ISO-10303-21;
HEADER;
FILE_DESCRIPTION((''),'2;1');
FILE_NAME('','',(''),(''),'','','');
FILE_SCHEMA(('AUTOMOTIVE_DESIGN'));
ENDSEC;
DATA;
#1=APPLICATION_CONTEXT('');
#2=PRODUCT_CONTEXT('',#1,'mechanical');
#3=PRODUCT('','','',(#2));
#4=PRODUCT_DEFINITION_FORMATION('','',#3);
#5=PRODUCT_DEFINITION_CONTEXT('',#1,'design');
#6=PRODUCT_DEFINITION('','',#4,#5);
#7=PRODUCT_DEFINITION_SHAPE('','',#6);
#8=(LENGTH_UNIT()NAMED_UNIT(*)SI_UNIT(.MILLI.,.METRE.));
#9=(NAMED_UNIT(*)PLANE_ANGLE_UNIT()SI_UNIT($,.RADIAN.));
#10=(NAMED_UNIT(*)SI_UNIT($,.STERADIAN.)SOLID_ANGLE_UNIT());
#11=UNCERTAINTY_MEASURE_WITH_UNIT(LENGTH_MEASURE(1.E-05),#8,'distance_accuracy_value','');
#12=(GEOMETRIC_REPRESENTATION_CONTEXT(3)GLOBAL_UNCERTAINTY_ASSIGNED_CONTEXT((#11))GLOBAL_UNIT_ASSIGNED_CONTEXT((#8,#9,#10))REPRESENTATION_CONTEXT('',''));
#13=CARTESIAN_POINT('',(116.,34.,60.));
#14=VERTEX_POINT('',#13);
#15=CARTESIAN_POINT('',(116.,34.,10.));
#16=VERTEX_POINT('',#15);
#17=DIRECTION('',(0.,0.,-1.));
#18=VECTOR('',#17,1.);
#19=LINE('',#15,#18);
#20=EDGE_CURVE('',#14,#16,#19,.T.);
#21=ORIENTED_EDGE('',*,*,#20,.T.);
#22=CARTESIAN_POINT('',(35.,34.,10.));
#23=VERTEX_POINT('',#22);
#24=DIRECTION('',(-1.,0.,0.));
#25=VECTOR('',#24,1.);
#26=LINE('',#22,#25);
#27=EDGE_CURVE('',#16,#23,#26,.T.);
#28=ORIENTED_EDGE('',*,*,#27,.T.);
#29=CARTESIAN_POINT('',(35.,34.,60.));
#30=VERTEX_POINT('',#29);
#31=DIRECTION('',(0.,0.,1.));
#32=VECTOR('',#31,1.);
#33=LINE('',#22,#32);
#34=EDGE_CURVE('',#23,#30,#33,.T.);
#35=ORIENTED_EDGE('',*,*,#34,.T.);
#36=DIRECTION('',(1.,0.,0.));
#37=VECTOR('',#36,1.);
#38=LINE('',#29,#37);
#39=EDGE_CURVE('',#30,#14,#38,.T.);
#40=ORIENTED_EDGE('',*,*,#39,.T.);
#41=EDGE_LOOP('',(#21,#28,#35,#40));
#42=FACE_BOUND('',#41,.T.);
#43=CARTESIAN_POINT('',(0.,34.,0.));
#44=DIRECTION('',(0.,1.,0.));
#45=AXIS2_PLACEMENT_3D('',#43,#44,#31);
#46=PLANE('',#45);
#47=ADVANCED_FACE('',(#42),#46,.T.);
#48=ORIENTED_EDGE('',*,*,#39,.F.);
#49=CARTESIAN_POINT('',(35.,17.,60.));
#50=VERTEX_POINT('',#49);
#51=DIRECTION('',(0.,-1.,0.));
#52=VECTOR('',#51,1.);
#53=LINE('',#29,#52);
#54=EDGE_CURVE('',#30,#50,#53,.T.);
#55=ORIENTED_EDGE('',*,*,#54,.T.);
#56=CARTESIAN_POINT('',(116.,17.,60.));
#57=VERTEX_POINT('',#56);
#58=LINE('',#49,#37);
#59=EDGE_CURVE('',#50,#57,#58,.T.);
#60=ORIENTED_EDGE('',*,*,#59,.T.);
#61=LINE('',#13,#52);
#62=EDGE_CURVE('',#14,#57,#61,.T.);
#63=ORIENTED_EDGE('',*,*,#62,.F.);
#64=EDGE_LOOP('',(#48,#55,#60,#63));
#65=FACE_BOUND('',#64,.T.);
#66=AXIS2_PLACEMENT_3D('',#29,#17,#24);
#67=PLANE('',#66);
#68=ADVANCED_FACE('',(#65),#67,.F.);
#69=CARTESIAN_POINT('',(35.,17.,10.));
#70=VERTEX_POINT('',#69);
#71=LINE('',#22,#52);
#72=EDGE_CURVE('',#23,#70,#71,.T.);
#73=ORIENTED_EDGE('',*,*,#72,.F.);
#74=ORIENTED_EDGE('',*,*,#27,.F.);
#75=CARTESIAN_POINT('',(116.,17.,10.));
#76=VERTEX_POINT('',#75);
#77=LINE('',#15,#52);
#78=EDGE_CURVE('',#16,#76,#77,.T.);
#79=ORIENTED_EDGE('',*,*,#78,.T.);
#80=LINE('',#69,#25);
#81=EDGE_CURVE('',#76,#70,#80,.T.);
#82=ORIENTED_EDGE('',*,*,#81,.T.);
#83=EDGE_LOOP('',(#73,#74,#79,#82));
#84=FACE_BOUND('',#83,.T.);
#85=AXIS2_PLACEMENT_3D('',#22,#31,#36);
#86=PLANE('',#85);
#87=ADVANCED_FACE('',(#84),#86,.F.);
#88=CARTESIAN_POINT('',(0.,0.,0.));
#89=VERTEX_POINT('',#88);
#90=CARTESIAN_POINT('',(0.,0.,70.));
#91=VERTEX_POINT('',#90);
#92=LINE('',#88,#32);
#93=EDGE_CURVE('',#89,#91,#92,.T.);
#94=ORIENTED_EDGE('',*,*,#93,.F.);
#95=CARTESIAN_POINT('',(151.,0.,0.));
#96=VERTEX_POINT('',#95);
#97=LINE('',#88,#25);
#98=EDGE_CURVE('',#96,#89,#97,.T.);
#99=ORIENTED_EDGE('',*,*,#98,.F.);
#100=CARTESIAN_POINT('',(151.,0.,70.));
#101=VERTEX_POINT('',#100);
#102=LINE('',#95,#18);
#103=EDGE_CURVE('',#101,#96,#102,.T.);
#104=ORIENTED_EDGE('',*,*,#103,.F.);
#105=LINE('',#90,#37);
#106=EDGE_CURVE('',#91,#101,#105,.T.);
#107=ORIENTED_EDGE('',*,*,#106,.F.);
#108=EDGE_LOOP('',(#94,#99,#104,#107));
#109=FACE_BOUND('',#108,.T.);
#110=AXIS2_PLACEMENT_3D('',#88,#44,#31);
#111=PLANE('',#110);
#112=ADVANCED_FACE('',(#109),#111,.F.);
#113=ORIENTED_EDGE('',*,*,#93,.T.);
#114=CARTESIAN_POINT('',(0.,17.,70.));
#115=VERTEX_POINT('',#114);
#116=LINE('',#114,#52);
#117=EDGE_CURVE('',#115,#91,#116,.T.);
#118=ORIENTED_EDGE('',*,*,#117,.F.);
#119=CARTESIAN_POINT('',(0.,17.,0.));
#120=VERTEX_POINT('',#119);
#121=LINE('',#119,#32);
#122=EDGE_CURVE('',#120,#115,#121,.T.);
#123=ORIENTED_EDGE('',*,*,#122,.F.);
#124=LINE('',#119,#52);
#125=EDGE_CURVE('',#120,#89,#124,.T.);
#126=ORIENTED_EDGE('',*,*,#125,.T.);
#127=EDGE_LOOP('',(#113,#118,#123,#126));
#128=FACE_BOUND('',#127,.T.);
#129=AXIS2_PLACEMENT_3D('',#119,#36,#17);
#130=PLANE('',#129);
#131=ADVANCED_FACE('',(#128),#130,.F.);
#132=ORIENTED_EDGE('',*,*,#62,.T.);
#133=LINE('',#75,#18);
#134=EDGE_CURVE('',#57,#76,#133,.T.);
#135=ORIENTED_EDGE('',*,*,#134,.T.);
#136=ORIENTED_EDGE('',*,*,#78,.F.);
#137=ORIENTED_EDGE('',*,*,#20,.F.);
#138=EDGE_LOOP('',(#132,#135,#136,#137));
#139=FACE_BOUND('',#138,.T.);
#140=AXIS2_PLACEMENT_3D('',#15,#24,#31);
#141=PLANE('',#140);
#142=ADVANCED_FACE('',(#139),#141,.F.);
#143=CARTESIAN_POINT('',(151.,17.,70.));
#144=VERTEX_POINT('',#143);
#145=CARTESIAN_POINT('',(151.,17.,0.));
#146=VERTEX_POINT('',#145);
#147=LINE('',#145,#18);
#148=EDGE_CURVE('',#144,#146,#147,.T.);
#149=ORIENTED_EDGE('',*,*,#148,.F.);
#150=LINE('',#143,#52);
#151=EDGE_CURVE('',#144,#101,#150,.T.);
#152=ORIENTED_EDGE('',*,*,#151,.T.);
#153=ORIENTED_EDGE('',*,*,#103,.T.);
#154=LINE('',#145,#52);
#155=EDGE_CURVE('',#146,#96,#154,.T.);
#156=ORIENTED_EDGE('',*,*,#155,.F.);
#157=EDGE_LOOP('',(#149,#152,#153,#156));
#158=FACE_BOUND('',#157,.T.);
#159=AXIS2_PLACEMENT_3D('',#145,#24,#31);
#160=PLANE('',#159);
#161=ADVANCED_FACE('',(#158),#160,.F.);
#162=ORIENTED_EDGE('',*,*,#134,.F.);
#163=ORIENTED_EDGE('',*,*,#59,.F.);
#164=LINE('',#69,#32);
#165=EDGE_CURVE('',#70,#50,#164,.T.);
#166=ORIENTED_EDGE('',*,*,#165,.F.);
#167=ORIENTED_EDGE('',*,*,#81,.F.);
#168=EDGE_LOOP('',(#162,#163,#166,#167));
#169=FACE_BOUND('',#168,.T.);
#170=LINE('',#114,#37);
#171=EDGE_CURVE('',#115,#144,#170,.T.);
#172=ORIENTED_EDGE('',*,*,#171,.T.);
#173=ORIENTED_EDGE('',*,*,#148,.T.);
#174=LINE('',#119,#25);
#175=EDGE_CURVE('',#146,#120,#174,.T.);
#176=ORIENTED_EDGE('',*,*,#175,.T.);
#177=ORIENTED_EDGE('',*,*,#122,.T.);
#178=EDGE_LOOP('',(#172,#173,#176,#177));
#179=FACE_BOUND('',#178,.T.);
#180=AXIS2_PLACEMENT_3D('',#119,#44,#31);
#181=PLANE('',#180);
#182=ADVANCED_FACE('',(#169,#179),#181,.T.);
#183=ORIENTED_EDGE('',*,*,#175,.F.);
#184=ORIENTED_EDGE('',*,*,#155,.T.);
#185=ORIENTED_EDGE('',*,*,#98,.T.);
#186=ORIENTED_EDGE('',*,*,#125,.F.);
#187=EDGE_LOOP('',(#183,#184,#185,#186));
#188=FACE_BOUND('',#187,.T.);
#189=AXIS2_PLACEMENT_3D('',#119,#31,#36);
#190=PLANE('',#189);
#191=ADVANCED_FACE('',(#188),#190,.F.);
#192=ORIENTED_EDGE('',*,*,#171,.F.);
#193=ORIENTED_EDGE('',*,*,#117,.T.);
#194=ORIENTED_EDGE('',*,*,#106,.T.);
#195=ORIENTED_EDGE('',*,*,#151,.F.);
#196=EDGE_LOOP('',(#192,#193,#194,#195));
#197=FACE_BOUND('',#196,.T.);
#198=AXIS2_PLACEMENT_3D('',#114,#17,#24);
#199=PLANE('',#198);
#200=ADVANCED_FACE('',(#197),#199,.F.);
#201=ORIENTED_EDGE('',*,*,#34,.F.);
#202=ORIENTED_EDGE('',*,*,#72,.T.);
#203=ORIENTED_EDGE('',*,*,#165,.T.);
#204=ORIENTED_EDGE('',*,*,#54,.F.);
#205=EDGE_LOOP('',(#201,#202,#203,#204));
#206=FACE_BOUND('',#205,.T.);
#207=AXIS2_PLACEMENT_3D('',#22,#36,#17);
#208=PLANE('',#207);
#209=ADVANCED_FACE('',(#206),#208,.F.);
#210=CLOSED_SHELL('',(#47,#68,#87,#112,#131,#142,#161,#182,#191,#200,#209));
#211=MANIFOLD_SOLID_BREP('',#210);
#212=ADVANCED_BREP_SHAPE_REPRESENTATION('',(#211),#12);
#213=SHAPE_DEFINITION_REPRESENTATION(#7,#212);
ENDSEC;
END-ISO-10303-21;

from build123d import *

# Parameters (mm, degrees)
SKETCH1_W           = 151
SKETCH1_H           = 70
BOSS_EXTRUDE1_DEPTH = 17
SKETCH2_W           = 81
SKETCH2_H           = 50
BOSS_EXTRUDE2_DEPTH = 17


with BuildPart() as part:
    # Sketch1 → Boss-Extrude1 (new body)
    with BuildSketch(Plane(origin=(0, 0, 0), x_dir=(1, 0, 0), z_dir=(0, 1, 0))):
        with Locations((75.5, -35)):
            Rectangle(SKETCH1_W, SKETCH1_H)
    extrude(amount=BOSS_EXTRUDE1_DEPTH)

    # Sketch2 → Boss-Extrude2 (add)
    with BuildSketch(Plane(origin=(0, 17, 0), x_dir=(1, 0, 0), z_dir=(0, 1, 0))):
        with Locations((75.5, -35)):
            Rectangle(SKETCH2_W, SKETCH2_H)
    extrude(amount=BOSS_EXTRUDE2_DEPTH)


solid = part.part
